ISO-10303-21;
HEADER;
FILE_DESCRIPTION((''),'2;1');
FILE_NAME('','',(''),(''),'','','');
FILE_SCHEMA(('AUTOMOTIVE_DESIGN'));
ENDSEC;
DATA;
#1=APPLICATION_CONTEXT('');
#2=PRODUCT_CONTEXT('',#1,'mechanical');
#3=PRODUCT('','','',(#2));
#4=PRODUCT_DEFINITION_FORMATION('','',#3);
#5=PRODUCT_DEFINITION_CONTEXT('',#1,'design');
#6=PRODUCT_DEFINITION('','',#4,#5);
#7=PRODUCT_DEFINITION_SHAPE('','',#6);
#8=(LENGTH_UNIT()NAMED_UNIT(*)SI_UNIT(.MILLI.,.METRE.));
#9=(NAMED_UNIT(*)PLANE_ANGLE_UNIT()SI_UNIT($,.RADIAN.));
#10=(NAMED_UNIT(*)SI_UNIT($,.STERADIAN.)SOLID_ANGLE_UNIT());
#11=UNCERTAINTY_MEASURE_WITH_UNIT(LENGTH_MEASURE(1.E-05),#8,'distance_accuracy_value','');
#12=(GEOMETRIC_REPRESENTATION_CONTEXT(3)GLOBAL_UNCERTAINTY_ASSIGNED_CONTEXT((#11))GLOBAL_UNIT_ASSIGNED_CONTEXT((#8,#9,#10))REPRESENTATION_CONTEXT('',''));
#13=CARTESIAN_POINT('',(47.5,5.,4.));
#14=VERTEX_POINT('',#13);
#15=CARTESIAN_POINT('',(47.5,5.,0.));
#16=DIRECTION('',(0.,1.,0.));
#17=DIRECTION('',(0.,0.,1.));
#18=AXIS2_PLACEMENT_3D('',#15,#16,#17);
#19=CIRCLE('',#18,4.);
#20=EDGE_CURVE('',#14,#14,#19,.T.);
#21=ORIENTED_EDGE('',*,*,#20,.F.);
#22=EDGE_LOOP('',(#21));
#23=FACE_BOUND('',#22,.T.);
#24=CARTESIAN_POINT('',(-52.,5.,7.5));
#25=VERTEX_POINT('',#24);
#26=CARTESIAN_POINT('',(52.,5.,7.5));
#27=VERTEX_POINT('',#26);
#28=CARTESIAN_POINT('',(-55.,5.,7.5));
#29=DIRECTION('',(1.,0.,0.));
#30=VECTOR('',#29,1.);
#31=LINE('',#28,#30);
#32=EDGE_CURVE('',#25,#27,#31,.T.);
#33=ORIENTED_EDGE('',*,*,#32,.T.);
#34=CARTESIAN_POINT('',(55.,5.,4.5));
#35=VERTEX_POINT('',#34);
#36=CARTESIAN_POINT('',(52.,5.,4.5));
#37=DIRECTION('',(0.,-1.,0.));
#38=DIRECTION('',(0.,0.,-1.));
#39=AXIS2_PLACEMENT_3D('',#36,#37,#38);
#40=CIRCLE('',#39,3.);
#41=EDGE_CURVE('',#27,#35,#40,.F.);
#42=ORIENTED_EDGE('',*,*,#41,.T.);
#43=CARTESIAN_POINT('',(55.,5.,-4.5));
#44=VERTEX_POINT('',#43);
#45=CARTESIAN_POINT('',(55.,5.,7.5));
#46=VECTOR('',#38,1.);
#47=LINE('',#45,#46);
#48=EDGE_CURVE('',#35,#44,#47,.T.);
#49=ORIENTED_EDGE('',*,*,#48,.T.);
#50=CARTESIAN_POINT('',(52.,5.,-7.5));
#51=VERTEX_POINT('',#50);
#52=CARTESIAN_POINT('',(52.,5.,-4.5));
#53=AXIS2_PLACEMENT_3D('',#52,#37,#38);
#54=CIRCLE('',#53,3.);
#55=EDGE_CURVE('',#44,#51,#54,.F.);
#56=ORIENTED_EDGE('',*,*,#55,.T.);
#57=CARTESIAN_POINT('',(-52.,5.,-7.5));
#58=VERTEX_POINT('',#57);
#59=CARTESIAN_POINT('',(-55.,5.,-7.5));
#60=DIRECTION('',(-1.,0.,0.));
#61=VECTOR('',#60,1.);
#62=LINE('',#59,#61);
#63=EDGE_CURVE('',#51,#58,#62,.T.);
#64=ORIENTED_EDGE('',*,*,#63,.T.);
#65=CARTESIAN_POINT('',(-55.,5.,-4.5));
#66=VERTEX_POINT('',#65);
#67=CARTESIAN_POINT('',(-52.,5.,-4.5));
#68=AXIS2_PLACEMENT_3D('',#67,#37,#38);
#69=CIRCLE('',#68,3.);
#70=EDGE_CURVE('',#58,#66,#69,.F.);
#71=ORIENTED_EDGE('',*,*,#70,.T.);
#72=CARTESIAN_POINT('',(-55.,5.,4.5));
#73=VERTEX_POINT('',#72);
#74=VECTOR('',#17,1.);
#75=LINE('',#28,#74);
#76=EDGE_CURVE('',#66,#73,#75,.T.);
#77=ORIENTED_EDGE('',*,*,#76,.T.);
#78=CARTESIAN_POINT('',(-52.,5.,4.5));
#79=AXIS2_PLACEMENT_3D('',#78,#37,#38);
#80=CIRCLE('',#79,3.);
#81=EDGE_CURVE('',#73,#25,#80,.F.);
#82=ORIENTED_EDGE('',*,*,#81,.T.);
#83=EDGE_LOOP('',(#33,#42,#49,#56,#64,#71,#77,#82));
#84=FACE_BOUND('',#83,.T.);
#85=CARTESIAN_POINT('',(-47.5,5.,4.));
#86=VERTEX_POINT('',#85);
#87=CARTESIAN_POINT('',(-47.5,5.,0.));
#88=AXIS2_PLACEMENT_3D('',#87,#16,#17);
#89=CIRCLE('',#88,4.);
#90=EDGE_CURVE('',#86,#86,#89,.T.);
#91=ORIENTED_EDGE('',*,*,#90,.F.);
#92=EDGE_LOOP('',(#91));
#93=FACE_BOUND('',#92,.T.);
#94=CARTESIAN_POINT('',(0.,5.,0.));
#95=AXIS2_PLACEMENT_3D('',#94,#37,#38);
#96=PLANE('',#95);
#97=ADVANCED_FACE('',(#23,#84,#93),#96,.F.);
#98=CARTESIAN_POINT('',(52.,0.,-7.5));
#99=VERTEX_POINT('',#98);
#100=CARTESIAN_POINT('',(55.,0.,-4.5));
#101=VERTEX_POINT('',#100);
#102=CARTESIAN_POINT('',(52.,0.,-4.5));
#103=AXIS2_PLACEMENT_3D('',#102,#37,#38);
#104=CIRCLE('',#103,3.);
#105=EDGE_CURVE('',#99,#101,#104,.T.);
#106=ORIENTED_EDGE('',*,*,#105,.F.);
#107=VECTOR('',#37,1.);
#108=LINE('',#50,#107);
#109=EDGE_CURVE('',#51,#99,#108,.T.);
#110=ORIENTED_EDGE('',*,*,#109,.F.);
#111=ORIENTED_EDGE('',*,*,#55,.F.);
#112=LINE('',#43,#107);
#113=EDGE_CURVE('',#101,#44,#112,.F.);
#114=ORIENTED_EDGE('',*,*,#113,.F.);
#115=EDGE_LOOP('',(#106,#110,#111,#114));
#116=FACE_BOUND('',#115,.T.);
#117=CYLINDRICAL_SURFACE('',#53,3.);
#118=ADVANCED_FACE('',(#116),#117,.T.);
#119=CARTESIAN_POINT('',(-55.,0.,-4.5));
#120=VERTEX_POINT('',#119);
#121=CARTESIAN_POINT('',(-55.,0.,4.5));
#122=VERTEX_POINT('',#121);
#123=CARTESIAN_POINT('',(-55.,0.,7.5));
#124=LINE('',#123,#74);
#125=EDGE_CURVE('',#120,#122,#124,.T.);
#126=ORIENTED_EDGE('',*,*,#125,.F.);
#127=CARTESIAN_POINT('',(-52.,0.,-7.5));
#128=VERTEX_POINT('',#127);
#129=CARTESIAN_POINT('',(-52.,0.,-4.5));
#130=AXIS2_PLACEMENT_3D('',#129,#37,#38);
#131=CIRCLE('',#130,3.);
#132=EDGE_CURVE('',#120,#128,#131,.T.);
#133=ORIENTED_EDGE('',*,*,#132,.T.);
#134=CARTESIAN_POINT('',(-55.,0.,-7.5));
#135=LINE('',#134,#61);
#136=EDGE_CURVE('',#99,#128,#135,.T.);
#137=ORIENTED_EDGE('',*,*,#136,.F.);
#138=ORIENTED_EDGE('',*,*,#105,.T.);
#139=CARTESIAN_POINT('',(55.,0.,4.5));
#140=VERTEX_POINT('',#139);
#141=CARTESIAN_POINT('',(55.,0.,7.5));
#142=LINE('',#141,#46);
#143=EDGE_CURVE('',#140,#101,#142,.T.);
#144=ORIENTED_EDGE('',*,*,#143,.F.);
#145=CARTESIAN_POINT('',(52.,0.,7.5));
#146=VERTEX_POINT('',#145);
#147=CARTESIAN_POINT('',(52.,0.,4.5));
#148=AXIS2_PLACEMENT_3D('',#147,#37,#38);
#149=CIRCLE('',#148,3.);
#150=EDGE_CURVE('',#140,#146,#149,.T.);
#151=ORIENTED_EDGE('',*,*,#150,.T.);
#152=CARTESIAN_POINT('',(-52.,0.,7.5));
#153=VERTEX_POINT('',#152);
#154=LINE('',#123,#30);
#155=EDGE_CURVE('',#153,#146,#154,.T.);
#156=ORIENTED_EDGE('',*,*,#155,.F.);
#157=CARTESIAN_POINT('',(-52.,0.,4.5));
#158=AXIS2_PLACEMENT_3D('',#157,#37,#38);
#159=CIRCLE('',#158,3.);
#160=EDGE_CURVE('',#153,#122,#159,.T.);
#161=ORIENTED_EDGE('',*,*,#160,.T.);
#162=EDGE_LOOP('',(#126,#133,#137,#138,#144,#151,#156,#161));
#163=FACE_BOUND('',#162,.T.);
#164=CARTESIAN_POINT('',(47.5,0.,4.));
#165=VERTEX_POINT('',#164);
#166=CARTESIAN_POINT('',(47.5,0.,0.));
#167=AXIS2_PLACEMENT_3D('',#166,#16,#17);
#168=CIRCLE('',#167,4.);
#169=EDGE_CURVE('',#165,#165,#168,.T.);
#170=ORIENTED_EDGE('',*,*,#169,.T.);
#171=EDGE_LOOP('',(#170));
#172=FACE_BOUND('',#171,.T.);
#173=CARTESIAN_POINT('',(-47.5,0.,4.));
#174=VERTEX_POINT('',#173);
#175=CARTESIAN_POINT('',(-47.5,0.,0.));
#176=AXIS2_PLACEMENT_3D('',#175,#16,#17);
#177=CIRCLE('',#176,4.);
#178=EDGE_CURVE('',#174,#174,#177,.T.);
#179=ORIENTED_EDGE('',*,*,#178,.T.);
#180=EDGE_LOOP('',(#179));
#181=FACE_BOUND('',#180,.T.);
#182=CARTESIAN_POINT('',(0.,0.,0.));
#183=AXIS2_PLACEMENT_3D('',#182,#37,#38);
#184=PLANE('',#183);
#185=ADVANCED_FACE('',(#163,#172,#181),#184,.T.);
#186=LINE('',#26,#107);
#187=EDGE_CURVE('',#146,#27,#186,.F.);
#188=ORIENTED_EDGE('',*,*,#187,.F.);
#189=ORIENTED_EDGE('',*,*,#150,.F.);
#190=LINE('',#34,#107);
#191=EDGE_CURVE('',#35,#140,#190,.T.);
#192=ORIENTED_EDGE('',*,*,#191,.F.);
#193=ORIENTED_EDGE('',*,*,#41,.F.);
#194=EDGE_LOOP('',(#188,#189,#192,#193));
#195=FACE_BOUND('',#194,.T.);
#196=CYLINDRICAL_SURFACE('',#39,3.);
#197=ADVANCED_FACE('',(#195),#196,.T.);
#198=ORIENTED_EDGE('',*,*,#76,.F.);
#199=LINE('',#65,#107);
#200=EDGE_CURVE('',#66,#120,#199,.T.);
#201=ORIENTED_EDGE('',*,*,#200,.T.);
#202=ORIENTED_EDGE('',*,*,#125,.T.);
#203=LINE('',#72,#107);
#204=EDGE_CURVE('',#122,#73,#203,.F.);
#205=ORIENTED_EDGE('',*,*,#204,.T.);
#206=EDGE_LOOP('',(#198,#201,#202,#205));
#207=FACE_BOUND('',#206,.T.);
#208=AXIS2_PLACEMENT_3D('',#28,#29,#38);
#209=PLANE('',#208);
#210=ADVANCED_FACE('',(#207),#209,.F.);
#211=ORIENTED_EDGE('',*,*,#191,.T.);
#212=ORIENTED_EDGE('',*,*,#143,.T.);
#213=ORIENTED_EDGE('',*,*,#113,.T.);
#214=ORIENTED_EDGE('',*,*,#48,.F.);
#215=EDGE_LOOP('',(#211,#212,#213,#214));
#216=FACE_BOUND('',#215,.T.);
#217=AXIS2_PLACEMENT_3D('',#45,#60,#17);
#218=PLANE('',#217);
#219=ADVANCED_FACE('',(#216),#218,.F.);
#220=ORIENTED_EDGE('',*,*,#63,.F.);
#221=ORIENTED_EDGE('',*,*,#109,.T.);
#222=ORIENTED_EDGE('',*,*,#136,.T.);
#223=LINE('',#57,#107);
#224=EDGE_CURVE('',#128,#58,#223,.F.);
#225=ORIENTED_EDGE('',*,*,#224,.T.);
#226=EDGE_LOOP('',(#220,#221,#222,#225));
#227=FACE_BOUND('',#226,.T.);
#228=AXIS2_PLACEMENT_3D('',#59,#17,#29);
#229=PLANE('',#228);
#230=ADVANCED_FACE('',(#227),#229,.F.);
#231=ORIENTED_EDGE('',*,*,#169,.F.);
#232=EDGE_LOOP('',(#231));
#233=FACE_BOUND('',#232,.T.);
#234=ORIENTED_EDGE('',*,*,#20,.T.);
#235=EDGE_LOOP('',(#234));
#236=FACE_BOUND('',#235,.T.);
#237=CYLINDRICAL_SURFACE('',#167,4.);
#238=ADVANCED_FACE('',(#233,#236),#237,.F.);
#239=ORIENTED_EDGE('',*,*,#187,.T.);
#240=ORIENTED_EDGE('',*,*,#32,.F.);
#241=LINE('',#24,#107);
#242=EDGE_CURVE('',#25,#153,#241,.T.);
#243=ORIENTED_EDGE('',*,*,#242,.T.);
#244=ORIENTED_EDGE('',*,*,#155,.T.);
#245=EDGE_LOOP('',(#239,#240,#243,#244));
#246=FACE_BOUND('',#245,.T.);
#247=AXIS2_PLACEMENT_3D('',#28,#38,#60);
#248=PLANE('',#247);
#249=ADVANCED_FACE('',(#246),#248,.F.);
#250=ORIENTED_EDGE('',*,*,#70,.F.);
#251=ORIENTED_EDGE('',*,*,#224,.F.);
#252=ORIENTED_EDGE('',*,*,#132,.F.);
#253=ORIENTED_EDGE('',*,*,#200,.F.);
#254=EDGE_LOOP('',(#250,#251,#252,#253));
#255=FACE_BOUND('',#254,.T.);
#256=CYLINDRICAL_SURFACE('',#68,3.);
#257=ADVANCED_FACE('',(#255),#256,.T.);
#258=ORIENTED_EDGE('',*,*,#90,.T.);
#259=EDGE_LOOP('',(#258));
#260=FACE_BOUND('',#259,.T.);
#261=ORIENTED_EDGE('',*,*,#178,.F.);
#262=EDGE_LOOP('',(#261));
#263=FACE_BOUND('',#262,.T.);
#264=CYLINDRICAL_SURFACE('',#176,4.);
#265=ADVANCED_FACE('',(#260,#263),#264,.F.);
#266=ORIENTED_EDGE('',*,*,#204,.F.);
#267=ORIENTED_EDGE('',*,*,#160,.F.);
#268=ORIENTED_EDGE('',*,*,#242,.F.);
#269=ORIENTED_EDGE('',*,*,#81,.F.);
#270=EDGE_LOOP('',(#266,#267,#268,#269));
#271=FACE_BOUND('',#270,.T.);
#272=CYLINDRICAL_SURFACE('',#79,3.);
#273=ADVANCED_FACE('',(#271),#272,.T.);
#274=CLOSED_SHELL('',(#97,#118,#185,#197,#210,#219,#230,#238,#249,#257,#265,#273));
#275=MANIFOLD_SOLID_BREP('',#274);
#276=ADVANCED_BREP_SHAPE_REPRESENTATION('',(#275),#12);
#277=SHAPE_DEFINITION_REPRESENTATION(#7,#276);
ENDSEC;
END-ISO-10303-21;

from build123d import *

# Parameters (mm, degrees)
CROQUIS1_W              = 110
CROQUIS1_H              = 15
SALIENTE_EXTRUIR1_DEPTH = 5
REDONDEO1_R             = 3
CROQUIS2_R              = 4
CORTAR_EXTRUIR1_DEPTH   = 56.733742024


with BuildPart() as part:
    # Croquis1 → Saliente-Extruir1 (new body)
    with BuildSketch(Plane(origin=(0, 0, 0), x_dir=(1, 0, 0), z_dir=(0, 1, 0))):
        Rectangle(CROQUIS1_W, CROQUIS1_H)
    extrude(amount=SALIENTE_EXTRUIR1_DEPTH)

    # Redondeo1
    redondeo1_edges = [part.edges().sort_by_distance(p)[0] for p in [
        (55, 2.5, 7.5),
        (-55, 2.5, 7.5),
        (-55, 2.5, -7.5),
        (55, 2.5, -7.5),
    ]]
    fillet(redondeo1_edges, radius=REDONDEO1_R)

    # Croquis2 → Cortar-Extruir1 (cut, through all)
    with BuildSketch(Plane(origin=(0, 5, 0), x_dir=(1, 0, 0), z_dir=(0, 1, 0))):
        with Locations(Location((-47.5, 0, 0), (0, 0, 270))):
            Circle(CROQUIS2_R)
        with Locations(Location((47.5, 0, 0), (0, 0, 270))):
            Circle(CROQUIS2_R)
    extrude(amount=-CORTAR_EXTRUIR1_DEPTH, mode=Mode.SUBTRACT)


solid = part.part
